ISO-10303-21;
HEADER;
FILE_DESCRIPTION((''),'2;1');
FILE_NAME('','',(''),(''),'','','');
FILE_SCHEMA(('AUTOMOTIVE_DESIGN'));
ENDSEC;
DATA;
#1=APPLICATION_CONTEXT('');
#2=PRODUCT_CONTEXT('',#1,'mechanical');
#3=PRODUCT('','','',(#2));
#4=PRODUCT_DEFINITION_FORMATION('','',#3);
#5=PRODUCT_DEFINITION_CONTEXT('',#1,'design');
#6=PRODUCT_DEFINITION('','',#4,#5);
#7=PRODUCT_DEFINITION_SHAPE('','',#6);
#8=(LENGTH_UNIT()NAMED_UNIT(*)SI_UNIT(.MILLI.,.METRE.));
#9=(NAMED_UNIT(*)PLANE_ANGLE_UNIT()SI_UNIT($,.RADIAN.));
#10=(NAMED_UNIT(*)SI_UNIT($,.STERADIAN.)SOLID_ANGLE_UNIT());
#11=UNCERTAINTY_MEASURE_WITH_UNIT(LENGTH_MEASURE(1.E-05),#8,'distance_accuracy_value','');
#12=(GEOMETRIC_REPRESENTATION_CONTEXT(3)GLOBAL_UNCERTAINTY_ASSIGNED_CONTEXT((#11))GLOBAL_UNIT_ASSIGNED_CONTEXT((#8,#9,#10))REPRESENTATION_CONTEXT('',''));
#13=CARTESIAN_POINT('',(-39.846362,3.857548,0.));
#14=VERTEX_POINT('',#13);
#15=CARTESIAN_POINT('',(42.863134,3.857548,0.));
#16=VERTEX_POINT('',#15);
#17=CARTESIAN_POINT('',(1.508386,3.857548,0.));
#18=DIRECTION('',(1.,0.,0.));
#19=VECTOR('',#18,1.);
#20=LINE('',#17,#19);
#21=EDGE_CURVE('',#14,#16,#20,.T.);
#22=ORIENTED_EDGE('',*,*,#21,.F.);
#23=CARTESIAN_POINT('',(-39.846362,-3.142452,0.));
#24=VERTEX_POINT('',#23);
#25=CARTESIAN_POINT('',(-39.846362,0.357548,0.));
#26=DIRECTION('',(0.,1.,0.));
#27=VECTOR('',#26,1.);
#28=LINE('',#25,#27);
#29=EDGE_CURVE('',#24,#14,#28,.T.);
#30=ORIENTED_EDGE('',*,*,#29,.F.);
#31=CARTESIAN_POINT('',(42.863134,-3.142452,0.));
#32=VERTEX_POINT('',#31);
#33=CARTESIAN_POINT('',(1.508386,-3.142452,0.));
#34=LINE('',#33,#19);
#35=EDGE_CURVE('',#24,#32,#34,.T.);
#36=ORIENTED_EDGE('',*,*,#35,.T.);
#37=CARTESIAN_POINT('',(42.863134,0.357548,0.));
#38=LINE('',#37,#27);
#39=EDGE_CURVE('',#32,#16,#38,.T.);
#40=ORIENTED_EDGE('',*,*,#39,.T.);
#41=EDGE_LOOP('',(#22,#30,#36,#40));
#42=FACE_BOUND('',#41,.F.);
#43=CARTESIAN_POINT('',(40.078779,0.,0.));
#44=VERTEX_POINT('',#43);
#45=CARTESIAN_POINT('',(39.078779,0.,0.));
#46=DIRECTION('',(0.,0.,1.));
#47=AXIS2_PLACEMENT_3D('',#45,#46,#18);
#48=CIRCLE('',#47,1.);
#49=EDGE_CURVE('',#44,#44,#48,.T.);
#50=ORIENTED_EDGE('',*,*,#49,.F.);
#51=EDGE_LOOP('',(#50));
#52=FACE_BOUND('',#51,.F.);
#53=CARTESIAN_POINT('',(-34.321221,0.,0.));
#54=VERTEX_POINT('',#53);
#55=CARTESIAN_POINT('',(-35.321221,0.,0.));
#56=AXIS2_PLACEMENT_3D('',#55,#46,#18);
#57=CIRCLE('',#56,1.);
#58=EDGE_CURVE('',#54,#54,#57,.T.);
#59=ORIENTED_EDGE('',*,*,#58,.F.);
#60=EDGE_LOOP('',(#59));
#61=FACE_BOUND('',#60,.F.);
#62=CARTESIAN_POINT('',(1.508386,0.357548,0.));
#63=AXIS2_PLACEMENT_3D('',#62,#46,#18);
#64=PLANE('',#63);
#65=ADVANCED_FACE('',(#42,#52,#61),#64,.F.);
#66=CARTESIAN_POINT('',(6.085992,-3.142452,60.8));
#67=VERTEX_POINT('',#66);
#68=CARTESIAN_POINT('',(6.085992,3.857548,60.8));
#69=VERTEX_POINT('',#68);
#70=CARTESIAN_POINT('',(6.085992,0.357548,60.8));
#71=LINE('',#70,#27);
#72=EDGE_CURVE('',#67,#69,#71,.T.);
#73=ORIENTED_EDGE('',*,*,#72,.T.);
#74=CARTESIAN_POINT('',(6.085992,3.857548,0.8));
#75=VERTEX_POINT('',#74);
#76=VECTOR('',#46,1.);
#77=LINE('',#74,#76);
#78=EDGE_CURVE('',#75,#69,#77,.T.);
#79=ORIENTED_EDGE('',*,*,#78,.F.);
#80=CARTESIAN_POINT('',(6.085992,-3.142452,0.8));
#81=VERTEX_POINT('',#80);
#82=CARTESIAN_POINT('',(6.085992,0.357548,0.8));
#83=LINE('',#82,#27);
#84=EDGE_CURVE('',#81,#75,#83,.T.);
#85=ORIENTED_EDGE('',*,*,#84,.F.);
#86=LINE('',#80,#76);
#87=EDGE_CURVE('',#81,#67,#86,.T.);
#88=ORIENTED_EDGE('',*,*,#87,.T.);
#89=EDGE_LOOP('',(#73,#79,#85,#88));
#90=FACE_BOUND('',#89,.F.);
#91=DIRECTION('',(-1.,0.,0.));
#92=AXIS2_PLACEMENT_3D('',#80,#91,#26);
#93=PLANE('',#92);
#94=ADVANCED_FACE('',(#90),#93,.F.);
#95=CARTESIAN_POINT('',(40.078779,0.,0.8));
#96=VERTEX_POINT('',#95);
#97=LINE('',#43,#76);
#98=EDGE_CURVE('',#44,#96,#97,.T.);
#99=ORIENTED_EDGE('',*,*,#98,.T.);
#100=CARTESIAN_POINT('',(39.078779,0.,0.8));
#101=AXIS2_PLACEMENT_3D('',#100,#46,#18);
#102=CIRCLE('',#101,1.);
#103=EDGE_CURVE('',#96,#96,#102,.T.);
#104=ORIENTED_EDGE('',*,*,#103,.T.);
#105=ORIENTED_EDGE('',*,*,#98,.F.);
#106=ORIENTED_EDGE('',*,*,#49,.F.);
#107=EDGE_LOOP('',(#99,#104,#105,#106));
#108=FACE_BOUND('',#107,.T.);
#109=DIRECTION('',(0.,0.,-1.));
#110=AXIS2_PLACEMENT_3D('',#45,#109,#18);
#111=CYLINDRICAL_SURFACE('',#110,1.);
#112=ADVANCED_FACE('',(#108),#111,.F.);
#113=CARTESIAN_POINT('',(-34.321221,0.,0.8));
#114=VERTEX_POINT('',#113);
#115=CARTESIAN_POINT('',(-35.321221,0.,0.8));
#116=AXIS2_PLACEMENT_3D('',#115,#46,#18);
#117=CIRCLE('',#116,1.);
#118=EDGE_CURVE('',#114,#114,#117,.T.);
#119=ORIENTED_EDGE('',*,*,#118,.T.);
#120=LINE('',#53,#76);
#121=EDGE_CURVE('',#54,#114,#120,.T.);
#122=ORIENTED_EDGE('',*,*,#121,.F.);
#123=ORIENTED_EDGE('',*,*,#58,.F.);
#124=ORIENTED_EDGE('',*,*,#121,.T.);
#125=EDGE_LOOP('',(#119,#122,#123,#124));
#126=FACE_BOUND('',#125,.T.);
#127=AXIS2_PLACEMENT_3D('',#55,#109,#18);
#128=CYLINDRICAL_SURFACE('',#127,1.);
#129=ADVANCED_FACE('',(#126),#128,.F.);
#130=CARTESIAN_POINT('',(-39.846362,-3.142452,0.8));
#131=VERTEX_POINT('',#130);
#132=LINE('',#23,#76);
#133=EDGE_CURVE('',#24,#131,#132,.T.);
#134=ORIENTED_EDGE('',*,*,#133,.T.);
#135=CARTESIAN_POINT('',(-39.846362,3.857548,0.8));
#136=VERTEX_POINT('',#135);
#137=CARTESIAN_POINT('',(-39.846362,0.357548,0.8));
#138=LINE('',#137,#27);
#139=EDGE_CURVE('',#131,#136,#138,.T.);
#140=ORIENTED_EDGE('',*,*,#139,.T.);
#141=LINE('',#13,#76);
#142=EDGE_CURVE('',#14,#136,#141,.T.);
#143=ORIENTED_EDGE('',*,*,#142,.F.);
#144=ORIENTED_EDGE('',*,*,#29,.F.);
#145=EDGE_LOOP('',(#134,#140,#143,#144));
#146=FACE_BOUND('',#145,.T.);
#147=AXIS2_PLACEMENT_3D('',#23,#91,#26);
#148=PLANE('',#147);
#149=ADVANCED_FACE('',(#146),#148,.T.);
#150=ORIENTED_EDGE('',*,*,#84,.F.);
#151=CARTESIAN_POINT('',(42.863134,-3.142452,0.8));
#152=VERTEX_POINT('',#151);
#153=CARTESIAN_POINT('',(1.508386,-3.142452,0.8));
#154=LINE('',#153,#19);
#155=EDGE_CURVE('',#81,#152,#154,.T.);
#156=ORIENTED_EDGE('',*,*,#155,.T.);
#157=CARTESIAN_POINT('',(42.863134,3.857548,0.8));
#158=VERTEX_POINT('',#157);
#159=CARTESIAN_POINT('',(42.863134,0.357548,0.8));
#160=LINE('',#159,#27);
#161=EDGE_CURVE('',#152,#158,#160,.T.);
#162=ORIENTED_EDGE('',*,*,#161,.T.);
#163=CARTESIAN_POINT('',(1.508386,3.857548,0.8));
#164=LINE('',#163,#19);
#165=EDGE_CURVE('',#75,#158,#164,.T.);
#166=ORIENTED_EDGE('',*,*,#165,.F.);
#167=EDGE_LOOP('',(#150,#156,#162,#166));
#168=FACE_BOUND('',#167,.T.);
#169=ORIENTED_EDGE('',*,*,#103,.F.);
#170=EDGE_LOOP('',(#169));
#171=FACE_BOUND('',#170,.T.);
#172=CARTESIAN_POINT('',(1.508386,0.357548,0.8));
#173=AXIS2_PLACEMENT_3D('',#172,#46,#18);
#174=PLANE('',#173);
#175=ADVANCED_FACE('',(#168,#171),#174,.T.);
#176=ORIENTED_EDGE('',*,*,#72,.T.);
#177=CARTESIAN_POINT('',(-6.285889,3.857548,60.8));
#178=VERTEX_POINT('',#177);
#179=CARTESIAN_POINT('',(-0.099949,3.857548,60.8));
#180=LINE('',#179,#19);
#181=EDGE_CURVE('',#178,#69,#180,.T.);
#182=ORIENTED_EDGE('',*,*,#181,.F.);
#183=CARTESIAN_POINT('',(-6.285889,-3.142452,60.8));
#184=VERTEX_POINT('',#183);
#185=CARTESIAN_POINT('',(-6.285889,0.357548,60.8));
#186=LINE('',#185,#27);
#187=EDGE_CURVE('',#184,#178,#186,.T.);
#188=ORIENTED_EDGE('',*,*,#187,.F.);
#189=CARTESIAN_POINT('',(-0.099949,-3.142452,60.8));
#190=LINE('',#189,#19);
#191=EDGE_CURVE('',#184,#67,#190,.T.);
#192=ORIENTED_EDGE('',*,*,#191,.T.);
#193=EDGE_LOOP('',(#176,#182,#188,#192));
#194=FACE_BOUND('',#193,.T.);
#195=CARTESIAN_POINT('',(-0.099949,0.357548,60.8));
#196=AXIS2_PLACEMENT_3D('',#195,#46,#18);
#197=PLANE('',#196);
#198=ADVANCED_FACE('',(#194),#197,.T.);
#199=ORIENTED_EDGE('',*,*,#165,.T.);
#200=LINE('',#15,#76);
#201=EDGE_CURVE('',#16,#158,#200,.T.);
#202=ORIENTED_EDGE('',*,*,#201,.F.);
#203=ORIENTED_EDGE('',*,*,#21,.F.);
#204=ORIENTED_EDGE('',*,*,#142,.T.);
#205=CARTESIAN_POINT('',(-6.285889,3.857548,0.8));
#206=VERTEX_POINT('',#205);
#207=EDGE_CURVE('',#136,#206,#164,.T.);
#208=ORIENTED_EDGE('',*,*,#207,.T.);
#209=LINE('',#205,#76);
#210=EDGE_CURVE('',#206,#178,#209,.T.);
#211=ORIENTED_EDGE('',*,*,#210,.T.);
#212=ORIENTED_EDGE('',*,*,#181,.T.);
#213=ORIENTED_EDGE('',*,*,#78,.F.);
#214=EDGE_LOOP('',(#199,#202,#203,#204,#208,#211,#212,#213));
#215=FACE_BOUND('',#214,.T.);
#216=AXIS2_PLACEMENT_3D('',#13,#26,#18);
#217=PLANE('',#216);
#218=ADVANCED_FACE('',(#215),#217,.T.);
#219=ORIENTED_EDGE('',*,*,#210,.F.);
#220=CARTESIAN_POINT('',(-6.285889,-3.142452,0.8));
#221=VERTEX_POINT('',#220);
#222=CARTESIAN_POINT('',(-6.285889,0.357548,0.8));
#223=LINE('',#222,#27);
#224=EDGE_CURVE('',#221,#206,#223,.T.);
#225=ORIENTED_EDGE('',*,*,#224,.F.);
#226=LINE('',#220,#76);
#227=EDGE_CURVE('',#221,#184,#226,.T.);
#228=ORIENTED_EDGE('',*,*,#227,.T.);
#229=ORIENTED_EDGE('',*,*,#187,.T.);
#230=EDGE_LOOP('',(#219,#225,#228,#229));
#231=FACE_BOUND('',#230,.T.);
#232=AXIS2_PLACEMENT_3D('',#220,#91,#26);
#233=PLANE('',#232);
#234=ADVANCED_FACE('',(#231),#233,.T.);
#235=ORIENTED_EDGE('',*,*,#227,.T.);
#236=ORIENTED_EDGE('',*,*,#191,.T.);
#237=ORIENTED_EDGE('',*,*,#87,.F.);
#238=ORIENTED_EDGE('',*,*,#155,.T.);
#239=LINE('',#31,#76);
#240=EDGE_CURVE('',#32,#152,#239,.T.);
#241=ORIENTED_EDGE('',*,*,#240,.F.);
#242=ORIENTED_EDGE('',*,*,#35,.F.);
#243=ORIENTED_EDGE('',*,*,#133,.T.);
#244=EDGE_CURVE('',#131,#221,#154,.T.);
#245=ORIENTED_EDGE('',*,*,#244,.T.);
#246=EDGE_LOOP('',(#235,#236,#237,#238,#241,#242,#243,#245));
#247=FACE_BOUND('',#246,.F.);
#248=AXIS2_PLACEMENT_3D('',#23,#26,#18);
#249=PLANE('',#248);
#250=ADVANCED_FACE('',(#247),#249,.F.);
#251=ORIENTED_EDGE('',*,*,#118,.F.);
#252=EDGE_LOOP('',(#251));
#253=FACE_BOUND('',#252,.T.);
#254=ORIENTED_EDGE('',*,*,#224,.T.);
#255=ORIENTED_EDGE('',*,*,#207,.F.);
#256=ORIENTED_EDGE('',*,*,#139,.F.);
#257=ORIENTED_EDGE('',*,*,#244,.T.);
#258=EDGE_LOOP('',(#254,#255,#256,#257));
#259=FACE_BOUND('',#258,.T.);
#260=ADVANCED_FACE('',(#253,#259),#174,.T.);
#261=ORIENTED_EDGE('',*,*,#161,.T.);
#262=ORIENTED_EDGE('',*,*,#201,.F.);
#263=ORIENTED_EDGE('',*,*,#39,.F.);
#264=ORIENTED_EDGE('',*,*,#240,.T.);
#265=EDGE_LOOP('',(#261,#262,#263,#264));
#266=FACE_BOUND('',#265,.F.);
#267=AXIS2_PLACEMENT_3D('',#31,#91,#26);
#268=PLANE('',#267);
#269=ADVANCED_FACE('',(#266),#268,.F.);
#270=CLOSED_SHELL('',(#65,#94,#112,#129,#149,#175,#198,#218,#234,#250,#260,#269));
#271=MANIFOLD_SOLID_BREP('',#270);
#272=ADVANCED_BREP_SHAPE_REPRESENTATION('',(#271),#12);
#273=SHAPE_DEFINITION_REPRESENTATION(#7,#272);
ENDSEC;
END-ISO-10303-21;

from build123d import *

# Parameters (mm, degrees)
F0_W     = 82.709495
F0_H     = 7
F0_R     = 1
F1_DEPTH = 0.8
F2_W     = 12.371881
F2_H     = 7
F3_DEPTH = 60


with BuildPart() as f1:
    # F0 (on Top) → F1 (new body)
    with BuildSketch(Plane.XY):
        with Locations((1.508386, 0.357548)):
            Rectangle(F0_W, F0_H)
        with Locations((-35.321221, 0)):
            Circle(F0_R, mode=Mode.SUBTRACT)
        with Locations((39.078779, 0)):
            Circle(F0_R, mode=Mode.SUBTRACT)
    extrude(amount=F1_DEPTH)

    # F2 (on face) → F3 (join)
    with BuildSketch(Plane.XY.offset(0.8)):
        with Locations((-0.099949, 0.357548)):
            Rectangle(F2_W, F2_H)
    extrude(amount=F3_DEPTH)


solid = f1.part
